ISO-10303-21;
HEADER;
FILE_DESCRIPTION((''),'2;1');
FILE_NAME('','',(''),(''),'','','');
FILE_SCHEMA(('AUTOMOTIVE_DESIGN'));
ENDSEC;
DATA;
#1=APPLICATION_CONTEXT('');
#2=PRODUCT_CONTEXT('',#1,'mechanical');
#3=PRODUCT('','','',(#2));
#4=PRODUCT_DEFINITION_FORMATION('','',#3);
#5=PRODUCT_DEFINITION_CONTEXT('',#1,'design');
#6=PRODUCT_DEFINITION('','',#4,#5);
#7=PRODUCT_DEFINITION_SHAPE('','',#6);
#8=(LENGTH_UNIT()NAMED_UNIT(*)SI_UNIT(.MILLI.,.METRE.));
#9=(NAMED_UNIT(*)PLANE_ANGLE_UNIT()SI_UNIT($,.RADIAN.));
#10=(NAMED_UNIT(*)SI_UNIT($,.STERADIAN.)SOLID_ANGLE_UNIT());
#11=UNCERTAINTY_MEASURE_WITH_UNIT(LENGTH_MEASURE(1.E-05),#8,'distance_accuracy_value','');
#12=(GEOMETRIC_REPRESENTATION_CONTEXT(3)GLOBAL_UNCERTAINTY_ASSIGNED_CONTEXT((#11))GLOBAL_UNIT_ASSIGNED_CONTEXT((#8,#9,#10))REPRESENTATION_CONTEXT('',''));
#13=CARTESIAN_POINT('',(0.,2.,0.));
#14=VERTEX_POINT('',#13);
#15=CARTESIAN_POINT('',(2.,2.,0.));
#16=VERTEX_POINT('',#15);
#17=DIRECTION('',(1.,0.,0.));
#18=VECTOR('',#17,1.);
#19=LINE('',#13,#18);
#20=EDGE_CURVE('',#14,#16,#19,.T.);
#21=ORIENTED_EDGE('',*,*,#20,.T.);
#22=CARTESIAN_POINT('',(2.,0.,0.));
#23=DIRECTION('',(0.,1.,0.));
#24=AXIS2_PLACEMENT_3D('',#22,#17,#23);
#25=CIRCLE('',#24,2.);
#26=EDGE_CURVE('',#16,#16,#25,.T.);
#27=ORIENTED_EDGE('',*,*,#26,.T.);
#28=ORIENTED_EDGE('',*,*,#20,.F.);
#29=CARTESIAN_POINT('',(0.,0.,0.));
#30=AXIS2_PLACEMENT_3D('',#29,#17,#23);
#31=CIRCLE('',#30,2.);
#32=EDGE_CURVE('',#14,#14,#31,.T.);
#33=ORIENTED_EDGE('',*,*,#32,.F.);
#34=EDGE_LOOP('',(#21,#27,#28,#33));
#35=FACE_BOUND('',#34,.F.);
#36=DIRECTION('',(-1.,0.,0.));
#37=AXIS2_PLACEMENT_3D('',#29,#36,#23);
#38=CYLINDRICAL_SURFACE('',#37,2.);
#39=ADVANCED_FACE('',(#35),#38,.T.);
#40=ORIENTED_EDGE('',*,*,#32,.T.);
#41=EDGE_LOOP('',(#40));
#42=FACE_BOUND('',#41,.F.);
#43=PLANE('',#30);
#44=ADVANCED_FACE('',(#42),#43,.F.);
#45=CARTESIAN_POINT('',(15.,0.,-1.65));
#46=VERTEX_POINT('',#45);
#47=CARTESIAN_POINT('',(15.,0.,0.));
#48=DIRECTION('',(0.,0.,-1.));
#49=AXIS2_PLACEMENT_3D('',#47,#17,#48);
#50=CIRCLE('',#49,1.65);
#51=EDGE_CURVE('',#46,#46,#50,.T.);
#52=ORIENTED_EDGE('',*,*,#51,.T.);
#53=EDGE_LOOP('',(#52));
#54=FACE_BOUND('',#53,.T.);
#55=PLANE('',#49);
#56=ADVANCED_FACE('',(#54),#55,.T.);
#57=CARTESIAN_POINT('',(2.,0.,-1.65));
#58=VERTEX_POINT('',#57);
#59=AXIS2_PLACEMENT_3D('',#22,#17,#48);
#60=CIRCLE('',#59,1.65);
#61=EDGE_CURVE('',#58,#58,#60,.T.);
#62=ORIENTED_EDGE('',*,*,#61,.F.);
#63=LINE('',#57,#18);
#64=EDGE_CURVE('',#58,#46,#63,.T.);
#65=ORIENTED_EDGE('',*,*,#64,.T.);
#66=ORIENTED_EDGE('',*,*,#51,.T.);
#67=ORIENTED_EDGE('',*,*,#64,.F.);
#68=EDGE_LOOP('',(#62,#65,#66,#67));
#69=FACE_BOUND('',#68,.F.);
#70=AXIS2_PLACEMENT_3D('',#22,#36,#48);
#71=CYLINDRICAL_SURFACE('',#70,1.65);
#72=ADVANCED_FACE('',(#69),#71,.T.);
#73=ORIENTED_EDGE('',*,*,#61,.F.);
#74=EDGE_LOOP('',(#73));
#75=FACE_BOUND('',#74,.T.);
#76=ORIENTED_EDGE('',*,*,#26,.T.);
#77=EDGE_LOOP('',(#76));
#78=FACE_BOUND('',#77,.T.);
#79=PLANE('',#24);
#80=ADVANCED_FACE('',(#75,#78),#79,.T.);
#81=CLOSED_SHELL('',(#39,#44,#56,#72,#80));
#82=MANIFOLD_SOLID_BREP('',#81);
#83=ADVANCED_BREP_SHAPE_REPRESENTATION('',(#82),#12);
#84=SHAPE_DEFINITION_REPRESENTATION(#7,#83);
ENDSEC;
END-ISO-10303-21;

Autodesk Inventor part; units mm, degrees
ref_plane "YZ Plane" through (0, 0, 0) normal (1, 0, 0) x (0, 1, 0)
ref_plane "XZ Plane" through (0, 0, 0) normal (0, 1, 0) x (-1, 0, 0)
ref_plane "XY Plane" through (0, 0, 0) normal (0, 0, 1) x (1, 0, 0)
sketch "Sketch1" plane through (0, 0, 0) normal (1, 0, 0) x (0, 1, 0)
  circle A0 centre (0, 0) radius 2
  dimension "d0" = 4
extrude "Extrusion1" add sketch "Sketch1" along normal blind 2
sketch "Sketch2" plane through (2, 0, 0) normal (1, 0, 0) x (0, 0, -1)
  circle A0 centre (0, 0) radius 1.65
  dimension "d3" = 3.3
extrude "Extrusion2" add sketch "Sketch2" along normal blind 13
properties part number "Ø3Split"
